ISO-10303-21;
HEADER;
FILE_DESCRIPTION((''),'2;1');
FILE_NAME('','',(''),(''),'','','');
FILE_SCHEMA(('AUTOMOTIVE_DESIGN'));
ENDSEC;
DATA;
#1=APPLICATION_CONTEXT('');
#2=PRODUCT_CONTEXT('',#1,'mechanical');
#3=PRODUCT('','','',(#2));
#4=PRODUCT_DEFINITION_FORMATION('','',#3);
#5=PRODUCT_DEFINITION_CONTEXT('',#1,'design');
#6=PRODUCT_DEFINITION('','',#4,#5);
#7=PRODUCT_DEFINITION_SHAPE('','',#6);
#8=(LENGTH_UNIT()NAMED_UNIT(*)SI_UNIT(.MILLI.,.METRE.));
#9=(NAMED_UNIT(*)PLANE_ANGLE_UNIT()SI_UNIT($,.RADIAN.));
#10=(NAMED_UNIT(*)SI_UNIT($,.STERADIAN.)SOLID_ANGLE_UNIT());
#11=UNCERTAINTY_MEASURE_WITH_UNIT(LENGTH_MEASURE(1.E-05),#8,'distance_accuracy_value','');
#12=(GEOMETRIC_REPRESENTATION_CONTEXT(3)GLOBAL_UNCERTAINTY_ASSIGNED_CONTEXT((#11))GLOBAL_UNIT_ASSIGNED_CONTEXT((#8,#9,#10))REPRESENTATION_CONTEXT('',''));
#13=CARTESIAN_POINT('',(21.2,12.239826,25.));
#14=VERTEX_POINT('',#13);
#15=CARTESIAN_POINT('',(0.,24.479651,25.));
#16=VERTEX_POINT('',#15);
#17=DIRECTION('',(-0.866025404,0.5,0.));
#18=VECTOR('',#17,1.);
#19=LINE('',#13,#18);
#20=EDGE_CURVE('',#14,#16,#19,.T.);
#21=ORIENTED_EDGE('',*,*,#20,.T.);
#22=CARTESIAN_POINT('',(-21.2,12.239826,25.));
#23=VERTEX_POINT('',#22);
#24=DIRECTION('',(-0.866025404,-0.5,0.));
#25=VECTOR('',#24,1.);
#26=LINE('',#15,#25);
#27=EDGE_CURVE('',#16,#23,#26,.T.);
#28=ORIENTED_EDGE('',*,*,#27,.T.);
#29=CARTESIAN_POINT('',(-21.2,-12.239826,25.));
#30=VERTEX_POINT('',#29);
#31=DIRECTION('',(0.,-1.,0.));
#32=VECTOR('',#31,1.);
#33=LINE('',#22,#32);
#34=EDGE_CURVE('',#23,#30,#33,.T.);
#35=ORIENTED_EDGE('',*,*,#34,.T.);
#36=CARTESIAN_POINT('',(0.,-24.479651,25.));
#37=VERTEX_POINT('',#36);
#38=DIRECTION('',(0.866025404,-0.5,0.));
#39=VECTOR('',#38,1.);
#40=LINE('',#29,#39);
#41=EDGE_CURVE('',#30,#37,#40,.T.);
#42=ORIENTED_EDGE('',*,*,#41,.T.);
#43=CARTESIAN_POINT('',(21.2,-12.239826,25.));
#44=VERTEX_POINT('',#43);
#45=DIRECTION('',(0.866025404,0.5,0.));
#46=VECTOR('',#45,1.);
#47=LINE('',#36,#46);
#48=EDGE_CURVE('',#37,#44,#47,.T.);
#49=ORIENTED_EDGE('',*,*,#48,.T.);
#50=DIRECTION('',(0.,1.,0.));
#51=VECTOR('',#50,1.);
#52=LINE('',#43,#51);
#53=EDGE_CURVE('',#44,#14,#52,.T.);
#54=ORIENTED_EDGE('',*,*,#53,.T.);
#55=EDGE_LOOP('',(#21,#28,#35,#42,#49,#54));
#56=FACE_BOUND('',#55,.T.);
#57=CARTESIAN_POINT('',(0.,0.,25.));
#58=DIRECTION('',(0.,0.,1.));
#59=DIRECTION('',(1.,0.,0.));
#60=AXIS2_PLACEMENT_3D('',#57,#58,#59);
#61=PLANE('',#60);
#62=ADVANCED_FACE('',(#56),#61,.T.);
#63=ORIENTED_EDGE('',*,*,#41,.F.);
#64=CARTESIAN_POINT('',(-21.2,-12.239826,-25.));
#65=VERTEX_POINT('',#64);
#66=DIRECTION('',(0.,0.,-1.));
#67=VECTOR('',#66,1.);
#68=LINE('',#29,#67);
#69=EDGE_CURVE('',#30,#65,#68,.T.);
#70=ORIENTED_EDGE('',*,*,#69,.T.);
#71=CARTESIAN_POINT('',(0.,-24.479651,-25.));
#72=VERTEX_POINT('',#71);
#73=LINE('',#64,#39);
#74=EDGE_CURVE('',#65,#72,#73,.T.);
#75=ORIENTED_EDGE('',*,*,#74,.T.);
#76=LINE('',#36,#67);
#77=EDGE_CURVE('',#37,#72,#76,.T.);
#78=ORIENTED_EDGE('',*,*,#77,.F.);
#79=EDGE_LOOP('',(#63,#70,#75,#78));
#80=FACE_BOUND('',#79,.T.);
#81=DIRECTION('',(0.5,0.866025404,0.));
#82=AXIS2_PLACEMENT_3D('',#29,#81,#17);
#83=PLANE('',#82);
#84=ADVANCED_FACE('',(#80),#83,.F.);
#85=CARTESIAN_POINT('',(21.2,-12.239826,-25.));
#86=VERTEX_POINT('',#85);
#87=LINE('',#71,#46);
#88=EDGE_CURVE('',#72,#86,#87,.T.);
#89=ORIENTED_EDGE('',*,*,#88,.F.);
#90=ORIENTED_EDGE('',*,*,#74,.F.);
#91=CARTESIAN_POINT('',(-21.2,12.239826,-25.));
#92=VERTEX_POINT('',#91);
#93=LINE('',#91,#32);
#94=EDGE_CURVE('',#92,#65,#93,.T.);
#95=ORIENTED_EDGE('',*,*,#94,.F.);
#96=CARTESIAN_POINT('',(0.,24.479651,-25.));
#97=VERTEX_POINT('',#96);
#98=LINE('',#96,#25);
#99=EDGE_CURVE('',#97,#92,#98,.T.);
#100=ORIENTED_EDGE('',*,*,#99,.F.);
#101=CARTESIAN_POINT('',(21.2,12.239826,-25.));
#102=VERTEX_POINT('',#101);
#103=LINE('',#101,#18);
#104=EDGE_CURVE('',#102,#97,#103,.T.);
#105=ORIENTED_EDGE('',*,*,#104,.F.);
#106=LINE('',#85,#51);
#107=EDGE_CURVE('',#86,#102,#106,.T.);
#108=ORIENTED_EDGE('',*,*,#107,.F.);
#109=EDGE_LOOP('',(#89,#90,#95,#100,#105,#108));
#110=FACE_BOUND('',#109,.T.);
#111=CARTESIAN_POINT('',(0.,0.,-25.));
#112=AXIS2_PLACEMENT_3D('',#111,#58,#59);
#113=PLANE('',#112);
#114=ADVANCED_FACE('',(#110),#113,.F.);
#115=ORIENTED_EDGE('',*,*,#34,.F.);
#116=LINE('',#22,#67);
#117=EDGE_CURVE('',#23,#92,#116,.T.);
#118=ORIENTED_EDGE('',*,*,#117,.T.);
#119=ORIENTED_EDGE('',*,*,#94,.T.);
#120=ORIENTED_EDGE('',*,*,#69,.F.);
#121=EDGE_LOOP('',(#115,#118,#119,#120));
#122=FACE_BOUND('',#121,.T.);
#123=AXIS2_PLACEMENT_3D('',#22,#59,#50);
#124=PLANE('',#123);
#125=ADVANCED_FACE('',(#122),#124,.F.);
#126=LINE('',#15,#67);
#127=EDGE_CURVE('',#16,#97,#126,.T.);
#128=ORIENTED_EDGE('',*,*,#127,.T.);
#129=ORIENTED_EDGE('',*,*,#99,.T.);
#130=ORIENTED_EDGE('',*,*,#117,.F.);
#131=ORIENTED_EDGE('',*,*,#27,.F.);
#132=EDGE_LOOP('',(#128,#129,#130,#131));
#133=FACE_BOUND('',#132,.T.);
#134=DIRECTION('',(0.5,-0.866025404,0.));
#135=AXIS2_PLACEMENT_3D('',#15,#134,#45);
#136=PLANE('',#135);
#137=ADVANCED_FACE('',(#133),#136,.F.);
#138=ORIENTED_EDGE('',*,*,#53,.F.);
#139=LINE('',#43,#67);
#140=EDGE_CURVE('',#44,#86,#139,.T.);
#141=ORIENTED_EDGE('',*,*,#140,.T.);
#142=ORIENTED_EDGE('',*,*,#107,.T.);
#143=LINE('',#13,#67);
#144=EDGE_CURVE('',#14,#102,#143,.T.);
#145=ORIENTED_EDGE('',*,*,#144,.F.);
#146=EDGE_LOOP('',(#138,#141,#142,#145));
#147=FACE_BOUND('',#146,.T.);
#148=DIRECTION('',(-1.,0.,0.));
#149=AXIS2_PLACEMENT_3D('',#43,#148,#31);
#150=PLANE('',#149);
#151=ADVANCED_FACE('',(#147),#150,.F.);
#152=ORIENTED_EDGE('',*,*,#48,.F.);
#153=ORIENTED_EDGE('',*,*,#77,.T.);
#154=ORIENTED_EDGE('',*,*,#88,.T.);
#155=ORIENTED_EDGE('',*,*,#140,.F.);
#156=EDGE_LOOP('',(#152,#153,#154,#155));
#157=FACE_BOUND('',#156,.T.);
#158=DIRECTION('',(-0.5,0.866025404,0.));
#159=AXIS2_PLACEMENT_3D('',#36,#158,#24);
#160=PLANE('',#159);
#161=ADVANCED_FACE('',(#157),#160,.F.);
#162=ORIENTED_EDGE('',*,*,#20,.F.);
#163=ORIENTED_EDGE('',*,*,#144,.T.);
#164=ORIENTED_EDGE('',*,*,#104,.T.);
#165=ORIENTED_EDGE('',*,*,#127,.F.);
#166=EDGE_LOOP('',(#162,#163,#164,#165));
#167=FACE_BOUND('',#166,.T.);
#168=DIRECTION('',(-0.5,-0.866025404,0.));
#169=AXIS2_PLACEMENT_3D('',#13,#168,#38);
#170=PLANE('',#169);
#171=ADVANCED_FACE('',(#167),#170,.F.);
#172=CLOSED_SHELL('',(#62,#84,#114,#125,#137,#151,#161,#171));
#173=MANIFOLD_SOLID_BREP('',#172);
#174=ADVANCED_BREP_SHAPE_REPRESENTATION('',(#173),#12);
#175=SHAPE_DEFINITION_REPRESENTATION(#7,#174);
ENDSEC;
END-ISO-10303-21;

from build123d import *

# Parameters (mm, degrees)
BOSS_EXTRUDE1_DEPTH = 25


with BuildPart() as part:
    # Sketch1 → Boss-Extrude1 (new body, symmetric)
    with BuildSketch(Plane.XY):
        Polygon((0, 24.479651414), (-21.2, 12.239825707), (-21.2, -12.239825707), (0, -24.479651414), (21.2, -12.239825707), (21.2, 12.239825707), align=None)
    extrude(amount=BOSS_EXTRUDE1_DEPTH, both=True)


solid = part.part
